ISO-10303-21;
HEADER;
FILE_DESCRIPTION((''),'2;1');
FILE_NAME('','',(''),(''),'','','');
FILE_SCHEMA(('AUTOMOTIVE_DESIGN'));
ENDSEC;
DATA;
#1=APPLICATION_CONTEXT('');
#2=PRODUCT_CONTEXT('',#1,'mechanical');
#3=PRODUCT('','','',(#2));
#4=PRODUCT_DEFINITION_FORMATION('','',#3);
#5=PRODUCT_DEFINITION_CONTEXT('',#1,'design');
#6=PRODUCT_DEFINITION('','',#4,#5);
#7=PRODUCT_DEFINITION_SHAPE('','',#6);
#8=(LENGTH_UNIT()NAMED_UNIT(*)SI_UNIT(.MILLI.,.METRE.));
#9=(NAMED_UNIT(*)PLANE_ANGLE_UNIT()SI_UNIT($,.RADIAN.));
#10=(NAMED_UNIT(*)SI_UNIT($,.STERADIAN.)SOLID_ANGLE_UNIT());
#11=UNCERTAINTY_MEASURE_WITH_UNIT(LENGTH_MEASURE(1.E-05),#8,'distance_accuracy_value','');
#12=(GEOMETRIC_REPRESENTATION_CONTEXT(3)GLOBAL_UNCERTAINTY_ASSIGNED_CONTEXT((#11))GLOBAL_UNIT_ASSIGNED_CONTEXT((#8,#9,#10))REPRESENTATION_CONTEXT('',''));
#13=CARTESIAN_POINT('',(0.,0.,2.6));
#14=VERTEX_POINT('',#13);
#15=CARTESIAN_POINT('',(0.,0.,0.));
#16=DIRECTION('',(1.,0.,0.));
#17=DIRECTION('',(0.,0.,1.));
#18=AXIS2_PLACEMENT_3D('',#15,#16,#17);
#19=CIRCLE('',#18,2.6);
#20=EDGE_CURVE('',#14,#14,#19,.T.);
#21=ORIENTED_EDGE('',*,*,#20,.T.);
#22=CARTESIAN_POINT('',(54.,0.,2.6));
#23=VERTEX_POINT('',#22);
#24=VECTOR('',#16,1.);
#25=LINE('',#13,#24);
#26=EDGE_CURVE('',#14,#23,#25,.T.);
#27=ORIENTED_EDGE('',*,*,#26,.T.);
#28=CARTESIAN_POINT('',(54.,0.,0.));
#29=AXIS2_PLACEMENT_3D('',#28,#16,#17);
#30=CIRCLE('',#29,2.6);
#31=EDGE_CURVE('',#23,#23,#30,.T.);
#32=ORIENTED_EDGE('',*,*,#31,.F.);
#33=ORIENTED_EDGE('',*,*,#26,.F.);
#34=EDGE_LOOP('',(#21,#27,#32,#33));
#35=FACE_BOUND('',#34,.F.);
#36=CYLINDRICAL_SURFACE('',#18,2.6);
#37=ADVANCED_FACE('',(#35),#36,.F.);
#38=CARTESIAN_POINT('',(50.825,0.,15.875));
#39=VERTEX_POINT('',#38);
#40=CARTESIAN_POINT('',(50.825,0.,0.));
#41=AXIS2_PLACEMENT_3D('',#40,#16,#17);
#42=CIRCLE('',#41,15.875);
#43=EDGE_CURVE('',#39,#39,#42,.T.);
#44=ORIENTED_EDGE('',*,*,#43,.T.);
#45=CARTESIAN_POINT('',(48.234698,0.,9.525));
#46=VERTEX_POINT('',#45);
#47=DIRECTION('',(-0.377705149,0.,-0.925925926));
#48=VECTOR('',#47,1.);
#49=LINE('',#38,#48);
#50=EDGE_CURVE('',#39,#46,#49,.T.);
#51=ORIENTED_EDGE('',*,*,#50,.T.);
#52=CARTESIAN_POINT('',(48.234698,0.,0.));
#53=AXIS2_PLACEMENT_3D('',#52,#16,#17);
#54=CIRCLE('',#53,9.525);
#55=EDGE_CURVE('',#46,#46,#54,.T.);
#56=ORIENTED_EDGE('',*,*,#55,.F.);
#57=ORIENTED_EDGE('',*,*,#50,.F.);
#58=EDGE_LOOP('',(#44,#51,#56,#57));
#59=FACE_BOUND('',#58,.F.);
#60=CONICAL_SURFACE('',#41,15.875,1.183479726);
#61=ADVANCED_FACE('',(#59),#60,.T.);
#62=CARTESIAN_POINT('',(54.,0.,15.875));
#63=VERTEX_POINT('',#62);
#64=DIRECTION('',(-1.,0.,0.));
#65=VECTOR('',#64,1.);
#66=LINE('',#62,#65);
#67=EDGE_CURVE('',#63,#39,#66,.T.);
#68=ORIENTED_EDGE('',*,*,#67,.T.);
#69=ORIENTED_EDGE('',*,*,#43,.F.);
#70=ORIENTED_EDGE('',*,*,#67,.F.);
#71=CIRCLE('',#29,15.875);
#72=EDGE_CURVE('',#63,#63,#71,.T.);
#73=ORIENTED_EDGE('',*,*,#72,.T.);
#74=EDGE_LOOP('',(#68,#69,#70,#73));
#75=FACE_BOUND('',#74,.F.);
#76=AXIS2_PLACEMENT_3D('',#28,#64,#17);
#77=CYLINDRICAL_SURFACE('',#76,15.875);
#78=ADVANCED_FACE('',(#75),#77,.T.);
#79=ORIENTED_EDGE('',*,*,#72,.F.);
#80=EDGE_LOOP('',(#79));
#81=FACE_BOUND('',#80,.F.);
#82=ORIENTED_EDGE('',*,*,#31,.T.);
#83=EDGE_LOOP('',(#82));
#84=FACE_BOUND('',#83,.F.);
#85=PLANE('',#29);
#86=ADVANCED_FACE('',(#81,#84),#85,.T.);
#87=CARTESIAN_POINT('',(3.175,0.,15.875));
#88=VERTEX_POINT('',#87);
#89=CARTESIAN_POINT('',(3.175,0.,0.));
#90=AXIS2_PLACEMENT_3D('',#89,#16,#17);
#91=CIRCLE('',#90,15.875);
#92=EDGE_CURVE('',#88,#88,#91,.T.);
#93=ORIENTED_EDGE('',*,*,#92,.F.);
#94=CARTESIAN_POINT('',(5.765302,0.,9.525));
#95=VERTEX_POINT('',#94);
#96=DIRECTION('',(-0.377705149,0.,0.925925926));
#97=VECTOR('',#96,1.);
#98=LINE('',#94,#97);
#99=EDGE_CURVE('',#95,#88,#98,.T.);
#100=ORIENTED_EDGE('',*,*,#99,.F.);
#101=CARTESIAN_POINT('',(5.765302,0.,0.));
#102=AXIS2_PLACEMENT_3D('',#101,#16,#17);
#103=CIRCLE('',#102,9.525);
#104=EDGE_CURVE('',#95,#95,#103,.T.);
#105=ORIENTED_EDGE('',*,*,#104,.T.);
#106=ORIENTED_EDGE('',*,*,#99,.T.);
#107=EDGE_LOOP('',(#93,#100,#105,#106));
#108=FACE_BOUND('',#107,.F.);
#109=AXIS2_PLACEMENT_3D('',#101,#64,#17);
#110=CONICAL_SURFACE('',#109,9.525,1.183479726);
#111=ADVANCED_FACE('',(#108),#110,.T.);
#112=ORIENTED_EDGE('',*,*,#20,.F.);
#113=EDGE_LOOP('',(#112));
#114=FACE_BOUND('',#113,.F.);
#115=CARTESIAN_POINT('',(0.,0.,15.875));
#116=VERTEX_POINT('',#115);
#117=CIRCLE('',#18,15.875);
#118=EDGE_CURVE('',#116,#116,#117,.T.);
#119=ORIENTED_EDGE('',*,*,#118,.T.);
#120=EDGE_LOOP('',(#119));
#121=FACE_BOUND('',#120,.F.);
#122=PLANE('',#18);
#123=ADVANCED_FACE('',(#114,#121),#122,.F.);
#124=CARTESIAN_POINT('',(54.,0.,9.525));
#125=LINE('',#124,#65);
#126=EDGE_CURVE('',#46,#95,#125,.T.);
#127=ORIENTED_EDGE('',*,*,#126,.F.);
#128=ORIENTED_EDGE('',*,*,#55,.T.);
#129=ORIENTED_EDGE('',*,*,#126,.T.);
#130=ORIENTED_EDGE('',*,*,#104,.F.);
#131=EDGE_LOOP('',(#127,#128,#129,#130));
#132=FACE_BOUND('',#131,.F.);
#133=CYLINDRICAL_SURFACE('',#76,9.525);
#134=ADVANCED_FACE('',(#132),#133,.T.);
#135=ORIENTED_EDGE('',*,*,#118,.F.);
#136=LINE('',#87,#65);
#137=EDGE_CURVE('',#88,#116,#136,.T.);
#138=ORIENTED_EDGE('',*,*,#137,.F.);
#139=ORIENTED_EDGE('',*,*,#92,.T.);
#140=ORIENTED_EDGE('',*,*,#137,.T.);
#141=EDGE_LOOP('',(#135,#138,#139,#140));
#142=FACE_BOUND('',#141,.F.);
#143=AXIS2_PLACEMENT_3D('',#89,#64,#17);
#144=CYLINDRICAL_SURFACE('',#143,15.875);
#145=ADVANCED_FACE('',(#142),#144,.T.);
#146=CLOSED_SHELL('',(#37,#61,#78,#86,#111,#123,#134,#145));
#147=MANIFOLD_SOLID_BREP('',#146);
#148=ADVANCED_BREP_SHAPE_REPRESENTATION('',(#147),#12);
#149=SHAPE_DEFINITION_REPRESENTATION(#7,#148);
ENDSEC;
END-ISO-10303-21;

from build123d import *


with BuildPart() as f1:
    # F0 (on Front) → F1 (revolve)
    with BuildSketch(Plane.XZ):
        Polygon((0, 15.875), (0, 9.525), (5.7653019129, 9.525), (3.175, 15.875), align=None)
        Polygon((0, 9.525), (0, 2.6), (54, 2.6), (54, 9.525), (48.2346980871, 9.525), (5.7653019129, 9.525), align=None)
        Polygon((48.2346980871, 9.525), (54, 9.525), (54, 15.875), (50.825, 15.875), align=None)
    revolve(axis=Axis((27, 0, 0), (1, 0, 0)))


solid = f1.part
